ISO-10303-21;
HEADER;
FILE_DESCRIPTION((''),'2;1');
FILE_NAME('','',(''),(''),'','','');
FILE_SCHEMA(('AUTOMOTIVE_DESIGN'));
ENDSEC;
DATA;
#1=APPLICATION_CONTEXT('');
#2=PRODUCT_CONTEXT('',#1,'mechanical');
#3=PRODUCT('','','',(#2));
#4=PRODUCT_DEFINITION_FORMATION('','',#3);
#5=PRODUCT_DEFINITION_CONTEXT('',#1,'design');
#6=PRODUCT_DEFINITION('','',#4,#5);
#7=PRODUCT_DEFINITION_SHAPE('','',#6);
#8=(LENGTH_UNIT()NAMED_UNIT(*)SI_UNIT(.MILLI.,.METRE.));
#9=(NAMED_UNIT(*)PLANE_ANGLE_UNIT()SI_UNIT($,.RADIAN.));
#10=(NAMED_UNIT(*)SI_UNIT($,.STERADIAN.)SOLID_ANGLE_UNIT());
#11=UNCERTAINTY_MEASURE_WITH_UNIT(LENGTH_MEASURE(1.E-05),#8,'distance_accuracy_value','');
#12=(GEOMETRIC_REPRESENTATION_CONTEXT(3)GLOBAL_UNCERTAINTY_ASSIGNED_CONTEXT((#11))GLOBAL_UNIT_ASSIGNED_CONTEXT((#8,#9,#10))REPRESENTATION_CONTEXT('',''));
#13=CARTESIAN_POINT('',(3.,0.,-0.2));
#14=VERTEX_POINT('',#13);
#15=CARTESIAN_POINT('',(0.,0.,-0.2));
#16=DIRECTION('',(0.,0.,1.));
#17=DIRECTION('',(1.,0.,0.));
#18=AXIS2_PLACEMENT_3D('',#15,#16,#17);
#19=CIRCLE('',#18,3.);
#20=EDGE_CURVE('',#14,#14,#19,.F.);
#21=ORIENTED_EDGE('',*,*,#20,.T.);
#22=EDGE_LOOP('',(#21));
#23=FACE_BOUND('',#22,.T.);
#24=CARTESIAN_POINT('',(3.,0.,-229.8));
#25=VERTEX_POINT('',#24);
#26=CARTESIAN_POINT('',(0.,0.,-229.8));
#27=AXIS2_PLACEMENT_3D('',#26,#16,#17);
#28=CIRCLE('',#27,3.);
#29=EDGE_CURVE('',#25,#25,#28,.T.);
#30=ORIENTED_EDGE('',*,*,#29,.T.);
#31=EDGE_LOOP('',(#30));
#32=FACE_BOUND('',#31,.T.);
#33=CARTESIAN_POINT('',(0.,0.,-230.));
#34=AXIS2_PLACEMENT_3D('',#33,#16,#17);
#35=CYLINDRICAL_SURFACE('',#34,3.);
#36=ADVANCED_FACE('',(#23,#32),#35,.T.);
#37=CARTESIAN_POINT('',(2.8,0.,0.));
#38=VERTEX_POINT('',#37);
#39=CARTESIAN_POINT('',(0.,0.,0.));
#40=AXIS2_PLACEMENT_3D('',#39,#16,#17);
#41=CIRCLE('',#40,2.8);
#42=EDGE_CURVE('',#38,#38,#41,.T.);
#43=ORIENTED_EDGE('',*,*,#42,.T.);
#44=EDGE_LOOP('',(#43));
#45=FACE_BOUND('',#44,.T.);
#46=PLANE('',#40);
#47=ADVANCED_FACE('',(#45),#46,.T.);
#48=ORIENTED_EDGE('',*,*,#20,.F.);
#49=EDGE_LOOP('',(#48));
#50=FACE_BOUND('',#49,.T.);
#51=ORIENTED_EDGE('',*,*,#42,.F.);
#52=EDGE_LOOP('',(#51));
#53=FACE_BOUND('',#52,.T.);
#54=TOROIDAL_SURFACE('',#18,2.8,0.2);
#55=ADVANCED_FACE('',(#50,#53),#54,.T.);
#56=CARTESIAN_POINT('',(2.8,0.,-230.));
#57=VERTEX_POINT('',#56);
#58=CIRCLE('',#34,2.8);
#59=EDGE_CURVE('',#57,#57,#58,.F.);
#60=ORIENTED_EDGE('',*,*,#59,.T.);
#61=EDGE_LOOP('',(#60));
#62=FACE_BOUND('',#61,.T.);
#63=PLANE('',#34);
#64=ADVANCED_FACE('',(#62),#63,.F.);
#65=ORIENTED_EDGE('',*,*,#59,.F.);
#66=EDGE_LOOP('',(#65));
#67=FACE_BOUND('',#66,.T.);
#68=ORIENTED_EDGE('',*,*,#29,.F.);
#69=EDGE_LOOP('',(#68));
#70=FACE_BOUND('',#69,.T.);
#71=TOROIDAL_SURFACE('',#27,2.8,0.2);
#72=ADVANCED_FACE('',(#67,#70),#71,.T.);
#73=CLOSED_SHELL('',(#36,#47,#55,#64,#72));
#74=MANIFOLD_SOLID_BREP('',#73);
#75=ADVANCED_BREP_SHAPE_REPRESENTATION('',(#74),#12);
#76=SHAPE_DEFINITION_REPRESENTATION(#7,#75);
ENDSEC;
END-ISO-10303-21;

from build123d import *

# Parameters (mm, degrees)
SKETCH1_R           = 3
BOSS_EXTRUDE1_DEPTH = 230
FILLET1_R           = 0.2


with BuildPart() as part:
    # Sketch1 → Boss-Extrude1 (new body)
    with BuildSketch(Plane.XY):
        Circle(SKETCH1_R)
    extrude(amount=-BOSS_EXTRUDE1_DEPTH)

    # Fillet1
    fillet1_edges = [part.edges().sort_by_distance(p)[0] for p in [
        (-3, 0, 0),
        (-3, 0, -230),
    ]]
    fillet(fillet1_edges, radius=FILLET1_R)


solid = part.part
